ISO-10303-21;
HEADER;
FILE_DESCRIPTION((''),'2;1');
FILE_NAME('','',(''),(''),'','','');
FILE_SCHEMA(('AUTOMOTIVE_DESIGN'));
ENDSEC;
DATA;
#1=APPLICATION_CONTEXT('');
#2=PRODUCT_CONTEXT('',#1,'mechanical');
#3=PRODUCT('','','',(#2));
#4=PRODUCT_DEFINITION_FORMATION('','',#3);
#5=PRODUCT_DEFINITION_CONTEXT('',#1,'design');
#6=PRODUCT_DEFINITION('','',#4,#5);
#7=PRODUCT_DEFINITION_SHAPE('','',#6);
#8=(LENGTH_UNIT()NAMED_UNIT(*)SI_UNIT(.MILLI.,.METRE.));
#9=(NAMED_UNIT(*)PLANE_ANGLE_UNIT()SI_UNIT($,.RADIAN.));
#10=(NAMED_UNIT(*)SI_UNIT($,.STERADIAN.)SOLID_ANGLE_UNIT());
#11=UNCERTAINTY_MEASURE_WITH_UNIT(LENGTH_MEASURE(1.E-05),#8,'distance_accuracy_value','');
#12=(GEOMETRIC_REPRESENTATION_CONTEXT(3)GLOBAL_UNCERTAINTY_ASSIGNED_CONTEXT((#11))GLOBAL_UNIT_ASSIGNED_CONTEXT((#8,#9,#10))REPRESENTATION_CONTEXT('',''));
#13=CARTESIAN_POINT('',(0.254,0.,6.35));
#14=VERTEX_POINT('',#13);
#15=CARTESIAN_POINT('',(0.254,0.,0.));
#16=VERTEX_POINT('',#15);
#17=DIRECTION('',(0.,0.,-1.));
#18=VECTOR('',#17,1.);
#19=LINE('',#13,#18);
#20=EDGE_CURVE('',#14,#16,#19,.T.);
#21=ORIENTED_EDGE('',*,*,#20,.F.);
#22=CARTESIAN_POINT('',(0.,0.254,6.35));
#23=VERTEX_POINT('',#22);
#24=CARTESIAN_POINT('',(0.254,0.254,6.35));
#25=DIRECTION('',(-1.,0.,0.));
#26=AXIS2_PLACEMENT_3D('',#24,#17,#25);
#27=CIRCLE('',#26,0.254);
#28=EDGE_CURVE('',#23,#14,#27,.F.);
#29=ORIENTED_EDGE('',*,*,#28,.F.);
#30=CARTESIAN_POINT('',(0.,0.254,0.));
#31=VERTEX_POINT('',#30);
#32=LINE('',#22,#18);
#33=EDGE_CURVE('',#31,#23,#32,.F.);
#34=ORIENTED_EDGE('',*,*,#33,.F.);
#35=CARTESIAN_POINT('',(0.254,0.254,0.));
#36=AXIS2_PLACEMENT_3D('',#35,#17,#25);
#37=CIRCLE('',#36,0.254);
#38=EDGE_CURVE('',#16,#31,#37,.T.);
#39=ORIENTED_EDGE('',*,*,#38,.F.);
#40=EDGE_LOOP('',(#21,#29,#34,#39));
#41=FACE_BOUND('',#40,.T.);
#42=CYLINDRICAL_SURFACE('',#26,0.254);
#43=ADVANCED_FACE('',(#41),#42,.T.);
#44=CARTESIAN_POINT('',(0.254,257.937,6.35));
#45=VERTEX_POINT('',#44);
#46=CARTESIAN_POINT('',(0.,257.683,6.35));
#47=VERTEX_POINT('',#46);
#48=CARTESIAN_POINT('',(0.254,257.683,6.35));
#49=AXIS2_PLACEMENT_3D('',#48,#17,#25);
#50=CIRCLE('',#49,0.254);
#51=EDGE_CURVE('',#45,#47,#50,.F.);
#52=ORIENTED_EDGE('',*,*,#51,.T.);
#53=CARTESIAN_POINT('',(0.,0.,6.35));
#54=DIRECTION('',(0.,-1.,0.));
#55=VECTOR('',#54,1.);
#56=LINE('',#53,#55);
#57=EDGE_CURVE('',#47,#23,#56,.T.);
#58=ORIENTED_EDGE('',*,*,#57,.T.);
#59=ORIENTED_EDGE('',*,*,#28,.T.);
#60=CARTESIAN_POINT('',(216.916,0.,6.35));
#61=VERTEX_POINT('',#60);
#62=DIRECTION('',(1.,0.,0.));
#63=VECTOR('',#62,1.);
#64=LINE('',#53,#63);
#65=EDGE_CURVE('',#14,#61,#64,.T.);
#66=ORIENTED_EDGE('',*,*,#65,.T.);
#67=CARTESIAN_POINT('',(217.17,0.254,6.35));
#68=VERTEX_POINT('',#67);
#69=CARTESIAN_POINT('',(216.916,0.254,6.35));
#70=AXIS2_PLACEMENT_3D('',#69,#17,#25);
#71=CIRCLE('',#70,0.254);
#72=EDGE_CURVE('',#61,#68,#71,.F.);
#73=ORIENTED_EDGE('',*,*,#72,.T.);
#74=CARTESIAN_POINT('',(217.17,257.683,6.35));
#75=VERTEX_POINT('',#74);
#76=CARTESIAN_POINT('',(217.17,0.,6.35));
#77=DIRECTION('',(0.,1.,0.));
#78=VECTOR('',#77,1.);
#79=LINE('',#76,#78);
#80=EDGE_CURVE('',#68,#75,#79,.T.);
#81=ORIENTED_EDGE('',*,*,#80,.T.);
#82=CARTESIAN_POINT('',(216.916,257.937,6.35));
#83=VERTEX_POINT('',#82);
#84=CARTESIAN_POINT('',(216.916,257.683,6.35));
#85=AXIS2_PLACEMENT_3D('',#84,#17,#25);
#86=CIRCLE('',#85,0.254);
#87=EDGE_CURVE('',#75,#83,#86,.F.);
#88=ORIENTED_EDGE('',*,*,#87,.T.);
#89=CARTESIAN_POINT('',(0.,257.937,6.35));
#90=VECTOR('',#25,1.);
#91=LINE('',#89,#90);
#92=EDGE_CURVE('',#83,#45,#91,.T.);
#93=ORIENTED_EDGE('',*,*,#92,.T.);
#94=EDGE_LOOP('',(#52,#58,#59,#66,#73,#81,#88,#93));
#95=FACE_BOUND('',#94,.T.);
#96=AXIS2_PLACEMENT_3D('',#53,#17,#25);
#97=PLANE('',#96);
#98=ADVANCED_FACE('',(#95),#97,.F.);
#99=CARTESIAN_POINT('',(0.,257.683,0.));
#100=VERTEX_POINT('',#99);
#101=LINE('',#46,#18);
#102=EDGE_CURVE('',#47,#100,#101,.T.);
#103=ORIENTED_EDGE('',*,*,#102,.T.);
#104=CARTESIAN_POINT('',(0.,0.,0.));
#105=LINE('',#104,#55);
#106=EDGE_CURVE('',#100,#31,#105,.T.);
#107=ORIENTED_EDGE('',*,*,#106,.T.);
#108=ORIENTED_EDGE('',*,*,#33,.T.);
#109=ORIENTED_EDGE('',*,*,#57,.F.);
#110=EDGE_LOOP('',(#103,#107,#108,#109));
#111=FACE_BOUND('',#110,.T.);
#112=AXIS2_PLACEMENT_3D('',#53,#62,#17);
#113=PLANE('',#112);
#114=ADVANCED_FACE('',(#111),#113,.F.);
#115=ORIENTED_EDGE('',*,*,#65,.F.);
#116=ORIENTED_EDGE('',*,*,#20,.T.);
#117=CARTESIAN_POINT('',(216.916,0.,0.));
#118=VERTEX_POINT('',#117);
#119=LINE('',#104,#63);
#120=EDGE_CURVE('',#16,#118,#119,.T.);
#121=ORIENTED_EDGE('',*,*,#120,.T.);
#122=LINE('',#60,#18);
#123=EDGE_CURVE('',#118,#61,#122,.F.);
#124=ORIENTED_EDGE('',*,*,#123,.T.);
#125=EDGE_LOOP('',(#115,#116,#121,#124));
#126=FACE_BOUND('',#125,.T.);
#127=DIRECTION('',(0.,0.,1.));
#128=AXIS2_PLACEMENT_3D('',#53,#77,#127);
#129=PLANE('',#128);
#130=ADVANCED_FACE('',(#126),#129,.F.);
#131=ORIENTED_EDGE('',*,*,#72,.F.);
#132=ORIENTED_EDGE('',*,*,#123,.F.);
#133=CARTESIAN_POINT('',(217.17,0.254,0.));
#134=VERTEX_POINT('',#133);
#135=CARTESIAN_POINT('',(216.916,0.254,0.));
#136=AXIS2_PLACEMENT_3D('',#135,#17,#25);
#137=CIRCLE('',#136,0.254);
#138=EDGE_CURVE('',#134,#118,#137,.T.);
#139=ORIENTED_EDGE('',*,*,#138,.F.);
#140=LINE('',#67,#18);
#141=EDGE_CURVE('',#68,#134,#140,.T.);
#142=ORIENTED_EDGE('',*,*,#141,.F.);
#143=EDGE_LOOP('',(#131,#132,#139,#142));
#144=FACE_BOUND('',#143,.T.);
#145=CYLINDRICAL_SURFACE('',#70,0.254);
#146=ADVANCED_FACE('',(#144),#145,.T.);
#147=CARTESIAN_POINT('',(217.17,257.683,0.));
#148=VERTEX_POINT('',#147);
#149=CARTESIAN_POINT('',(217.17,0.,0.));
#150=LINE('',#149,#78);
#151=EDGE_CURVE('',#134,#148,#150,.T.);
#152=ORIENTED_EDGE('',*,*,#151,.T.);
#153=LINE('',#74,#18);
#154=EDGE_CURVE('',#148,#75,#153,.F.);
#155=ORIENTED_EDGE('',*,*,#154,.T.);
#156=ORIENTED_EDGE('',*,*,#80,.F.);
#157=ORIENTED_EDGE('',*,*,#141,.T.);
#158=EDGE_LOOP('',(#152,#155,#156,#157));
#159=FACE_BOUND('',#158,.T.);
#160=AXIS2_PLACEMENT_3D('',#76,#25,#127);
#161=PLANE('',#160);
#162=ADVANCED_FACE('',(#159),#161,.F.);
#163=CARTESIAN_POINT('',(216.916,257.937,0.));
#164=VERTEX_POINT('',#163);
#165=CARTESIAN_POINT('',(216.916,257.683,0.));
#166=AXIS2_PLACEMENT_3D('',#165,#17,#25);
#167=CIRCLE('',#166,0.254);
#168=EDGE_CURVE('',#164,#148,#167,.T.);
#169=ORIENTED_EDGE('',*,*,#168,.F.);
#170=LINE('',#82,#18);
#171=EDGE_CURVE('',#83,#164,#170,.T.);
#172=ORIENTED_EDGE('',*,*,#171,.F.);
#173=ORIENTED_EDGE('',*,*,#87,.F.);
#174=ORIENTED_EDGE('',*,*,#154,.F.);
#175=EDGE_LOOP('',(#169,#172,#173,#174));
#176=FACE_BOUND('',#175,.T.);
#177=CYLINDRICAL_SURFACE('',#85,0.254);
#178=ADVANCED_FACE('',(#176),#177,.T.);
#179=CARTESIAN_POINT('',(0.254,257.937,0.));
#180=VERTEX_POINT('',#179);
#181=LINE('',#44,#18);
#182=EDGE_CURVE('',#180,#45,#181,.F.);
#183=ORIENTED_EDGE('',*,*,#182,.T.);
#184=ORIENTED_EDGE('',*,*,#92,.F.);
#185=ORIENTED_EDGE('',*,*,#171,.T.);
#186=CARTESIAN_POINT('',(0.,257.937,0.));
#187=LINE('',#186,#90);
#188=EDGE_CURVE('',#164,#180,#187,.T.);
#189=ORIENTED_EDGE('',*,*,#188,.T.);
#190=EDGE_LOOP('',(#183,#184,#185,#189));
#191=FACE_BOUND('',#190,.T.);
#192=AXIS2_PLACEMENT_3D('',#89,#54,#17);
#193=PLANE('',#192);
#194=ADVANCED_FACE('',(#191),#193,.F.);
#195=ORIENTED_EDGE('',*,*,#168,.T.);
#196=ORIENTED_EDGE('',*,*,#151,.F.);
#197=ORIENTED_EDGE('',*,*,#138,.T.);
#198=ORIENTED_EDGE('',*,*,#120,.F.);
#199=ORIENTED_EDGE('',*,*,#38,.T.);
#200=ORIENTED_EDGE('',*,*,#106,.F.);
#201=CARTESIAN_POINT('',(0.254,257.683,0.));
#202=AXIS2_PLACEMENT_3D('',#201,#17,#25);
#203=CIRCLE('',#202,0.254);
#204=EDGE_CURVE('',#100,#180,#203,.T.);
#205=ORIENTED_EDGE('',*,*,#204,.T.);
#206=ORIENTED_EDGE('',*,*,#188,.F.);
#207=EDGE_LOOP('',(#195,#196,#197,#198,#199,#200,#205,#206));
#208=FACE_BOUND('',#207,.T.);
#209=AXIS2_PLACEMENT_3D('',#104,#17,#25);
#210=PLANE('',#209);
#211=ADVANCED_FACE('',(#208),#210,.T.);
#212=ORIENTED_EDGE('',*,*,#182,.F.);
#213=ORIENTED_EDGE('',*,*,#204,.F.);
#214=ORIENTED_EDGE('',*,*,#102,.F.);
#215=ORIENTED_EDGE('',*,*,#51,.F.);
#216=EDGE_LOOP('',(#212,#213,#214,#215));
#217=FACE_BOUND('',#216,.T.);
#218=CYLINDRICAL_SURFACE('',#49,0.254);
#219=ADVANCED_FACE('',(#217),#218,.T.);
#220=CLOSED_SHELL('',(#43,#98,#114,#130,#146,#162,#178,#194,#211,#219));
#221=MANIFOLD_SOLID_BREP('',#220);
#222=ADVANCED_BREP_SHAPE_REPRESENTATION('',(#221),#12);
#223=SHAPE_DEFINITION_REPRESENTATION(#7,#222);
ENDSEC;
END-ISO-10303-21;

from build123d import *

# Parameters (mm, degrees)
SKETCH1_W           = 217.17
SKETCH1_H           = 257.937
BOSS_EXTRUDE3_DEPTH = 6.35
FILLET1_R           = 0.254


with BuildPart() as part:
    # Sketch1 → Boss-Extrude3 (new body)
    with BuildSketch(Plane.XY):
        with Locations((108.585, 128.9685)):
            Rectangle(SKETCH1_W, SKETCH1_H)
    extrude(amount=BOSS_EXTRUDE3_DEPTH)

    # Fillet1
    fillet1_edges = [part.edges().sort_by_distance(p)[0] for p in [
        (0, 257.937, 3.175),
        (217.17, 257.937, 3.175),
        (217.17, 0, 3.175),
        (0, 0, 3.175),
    ]]
    fillet(fillet1_edges, radius=FILLET1_R)


solid = part.part
